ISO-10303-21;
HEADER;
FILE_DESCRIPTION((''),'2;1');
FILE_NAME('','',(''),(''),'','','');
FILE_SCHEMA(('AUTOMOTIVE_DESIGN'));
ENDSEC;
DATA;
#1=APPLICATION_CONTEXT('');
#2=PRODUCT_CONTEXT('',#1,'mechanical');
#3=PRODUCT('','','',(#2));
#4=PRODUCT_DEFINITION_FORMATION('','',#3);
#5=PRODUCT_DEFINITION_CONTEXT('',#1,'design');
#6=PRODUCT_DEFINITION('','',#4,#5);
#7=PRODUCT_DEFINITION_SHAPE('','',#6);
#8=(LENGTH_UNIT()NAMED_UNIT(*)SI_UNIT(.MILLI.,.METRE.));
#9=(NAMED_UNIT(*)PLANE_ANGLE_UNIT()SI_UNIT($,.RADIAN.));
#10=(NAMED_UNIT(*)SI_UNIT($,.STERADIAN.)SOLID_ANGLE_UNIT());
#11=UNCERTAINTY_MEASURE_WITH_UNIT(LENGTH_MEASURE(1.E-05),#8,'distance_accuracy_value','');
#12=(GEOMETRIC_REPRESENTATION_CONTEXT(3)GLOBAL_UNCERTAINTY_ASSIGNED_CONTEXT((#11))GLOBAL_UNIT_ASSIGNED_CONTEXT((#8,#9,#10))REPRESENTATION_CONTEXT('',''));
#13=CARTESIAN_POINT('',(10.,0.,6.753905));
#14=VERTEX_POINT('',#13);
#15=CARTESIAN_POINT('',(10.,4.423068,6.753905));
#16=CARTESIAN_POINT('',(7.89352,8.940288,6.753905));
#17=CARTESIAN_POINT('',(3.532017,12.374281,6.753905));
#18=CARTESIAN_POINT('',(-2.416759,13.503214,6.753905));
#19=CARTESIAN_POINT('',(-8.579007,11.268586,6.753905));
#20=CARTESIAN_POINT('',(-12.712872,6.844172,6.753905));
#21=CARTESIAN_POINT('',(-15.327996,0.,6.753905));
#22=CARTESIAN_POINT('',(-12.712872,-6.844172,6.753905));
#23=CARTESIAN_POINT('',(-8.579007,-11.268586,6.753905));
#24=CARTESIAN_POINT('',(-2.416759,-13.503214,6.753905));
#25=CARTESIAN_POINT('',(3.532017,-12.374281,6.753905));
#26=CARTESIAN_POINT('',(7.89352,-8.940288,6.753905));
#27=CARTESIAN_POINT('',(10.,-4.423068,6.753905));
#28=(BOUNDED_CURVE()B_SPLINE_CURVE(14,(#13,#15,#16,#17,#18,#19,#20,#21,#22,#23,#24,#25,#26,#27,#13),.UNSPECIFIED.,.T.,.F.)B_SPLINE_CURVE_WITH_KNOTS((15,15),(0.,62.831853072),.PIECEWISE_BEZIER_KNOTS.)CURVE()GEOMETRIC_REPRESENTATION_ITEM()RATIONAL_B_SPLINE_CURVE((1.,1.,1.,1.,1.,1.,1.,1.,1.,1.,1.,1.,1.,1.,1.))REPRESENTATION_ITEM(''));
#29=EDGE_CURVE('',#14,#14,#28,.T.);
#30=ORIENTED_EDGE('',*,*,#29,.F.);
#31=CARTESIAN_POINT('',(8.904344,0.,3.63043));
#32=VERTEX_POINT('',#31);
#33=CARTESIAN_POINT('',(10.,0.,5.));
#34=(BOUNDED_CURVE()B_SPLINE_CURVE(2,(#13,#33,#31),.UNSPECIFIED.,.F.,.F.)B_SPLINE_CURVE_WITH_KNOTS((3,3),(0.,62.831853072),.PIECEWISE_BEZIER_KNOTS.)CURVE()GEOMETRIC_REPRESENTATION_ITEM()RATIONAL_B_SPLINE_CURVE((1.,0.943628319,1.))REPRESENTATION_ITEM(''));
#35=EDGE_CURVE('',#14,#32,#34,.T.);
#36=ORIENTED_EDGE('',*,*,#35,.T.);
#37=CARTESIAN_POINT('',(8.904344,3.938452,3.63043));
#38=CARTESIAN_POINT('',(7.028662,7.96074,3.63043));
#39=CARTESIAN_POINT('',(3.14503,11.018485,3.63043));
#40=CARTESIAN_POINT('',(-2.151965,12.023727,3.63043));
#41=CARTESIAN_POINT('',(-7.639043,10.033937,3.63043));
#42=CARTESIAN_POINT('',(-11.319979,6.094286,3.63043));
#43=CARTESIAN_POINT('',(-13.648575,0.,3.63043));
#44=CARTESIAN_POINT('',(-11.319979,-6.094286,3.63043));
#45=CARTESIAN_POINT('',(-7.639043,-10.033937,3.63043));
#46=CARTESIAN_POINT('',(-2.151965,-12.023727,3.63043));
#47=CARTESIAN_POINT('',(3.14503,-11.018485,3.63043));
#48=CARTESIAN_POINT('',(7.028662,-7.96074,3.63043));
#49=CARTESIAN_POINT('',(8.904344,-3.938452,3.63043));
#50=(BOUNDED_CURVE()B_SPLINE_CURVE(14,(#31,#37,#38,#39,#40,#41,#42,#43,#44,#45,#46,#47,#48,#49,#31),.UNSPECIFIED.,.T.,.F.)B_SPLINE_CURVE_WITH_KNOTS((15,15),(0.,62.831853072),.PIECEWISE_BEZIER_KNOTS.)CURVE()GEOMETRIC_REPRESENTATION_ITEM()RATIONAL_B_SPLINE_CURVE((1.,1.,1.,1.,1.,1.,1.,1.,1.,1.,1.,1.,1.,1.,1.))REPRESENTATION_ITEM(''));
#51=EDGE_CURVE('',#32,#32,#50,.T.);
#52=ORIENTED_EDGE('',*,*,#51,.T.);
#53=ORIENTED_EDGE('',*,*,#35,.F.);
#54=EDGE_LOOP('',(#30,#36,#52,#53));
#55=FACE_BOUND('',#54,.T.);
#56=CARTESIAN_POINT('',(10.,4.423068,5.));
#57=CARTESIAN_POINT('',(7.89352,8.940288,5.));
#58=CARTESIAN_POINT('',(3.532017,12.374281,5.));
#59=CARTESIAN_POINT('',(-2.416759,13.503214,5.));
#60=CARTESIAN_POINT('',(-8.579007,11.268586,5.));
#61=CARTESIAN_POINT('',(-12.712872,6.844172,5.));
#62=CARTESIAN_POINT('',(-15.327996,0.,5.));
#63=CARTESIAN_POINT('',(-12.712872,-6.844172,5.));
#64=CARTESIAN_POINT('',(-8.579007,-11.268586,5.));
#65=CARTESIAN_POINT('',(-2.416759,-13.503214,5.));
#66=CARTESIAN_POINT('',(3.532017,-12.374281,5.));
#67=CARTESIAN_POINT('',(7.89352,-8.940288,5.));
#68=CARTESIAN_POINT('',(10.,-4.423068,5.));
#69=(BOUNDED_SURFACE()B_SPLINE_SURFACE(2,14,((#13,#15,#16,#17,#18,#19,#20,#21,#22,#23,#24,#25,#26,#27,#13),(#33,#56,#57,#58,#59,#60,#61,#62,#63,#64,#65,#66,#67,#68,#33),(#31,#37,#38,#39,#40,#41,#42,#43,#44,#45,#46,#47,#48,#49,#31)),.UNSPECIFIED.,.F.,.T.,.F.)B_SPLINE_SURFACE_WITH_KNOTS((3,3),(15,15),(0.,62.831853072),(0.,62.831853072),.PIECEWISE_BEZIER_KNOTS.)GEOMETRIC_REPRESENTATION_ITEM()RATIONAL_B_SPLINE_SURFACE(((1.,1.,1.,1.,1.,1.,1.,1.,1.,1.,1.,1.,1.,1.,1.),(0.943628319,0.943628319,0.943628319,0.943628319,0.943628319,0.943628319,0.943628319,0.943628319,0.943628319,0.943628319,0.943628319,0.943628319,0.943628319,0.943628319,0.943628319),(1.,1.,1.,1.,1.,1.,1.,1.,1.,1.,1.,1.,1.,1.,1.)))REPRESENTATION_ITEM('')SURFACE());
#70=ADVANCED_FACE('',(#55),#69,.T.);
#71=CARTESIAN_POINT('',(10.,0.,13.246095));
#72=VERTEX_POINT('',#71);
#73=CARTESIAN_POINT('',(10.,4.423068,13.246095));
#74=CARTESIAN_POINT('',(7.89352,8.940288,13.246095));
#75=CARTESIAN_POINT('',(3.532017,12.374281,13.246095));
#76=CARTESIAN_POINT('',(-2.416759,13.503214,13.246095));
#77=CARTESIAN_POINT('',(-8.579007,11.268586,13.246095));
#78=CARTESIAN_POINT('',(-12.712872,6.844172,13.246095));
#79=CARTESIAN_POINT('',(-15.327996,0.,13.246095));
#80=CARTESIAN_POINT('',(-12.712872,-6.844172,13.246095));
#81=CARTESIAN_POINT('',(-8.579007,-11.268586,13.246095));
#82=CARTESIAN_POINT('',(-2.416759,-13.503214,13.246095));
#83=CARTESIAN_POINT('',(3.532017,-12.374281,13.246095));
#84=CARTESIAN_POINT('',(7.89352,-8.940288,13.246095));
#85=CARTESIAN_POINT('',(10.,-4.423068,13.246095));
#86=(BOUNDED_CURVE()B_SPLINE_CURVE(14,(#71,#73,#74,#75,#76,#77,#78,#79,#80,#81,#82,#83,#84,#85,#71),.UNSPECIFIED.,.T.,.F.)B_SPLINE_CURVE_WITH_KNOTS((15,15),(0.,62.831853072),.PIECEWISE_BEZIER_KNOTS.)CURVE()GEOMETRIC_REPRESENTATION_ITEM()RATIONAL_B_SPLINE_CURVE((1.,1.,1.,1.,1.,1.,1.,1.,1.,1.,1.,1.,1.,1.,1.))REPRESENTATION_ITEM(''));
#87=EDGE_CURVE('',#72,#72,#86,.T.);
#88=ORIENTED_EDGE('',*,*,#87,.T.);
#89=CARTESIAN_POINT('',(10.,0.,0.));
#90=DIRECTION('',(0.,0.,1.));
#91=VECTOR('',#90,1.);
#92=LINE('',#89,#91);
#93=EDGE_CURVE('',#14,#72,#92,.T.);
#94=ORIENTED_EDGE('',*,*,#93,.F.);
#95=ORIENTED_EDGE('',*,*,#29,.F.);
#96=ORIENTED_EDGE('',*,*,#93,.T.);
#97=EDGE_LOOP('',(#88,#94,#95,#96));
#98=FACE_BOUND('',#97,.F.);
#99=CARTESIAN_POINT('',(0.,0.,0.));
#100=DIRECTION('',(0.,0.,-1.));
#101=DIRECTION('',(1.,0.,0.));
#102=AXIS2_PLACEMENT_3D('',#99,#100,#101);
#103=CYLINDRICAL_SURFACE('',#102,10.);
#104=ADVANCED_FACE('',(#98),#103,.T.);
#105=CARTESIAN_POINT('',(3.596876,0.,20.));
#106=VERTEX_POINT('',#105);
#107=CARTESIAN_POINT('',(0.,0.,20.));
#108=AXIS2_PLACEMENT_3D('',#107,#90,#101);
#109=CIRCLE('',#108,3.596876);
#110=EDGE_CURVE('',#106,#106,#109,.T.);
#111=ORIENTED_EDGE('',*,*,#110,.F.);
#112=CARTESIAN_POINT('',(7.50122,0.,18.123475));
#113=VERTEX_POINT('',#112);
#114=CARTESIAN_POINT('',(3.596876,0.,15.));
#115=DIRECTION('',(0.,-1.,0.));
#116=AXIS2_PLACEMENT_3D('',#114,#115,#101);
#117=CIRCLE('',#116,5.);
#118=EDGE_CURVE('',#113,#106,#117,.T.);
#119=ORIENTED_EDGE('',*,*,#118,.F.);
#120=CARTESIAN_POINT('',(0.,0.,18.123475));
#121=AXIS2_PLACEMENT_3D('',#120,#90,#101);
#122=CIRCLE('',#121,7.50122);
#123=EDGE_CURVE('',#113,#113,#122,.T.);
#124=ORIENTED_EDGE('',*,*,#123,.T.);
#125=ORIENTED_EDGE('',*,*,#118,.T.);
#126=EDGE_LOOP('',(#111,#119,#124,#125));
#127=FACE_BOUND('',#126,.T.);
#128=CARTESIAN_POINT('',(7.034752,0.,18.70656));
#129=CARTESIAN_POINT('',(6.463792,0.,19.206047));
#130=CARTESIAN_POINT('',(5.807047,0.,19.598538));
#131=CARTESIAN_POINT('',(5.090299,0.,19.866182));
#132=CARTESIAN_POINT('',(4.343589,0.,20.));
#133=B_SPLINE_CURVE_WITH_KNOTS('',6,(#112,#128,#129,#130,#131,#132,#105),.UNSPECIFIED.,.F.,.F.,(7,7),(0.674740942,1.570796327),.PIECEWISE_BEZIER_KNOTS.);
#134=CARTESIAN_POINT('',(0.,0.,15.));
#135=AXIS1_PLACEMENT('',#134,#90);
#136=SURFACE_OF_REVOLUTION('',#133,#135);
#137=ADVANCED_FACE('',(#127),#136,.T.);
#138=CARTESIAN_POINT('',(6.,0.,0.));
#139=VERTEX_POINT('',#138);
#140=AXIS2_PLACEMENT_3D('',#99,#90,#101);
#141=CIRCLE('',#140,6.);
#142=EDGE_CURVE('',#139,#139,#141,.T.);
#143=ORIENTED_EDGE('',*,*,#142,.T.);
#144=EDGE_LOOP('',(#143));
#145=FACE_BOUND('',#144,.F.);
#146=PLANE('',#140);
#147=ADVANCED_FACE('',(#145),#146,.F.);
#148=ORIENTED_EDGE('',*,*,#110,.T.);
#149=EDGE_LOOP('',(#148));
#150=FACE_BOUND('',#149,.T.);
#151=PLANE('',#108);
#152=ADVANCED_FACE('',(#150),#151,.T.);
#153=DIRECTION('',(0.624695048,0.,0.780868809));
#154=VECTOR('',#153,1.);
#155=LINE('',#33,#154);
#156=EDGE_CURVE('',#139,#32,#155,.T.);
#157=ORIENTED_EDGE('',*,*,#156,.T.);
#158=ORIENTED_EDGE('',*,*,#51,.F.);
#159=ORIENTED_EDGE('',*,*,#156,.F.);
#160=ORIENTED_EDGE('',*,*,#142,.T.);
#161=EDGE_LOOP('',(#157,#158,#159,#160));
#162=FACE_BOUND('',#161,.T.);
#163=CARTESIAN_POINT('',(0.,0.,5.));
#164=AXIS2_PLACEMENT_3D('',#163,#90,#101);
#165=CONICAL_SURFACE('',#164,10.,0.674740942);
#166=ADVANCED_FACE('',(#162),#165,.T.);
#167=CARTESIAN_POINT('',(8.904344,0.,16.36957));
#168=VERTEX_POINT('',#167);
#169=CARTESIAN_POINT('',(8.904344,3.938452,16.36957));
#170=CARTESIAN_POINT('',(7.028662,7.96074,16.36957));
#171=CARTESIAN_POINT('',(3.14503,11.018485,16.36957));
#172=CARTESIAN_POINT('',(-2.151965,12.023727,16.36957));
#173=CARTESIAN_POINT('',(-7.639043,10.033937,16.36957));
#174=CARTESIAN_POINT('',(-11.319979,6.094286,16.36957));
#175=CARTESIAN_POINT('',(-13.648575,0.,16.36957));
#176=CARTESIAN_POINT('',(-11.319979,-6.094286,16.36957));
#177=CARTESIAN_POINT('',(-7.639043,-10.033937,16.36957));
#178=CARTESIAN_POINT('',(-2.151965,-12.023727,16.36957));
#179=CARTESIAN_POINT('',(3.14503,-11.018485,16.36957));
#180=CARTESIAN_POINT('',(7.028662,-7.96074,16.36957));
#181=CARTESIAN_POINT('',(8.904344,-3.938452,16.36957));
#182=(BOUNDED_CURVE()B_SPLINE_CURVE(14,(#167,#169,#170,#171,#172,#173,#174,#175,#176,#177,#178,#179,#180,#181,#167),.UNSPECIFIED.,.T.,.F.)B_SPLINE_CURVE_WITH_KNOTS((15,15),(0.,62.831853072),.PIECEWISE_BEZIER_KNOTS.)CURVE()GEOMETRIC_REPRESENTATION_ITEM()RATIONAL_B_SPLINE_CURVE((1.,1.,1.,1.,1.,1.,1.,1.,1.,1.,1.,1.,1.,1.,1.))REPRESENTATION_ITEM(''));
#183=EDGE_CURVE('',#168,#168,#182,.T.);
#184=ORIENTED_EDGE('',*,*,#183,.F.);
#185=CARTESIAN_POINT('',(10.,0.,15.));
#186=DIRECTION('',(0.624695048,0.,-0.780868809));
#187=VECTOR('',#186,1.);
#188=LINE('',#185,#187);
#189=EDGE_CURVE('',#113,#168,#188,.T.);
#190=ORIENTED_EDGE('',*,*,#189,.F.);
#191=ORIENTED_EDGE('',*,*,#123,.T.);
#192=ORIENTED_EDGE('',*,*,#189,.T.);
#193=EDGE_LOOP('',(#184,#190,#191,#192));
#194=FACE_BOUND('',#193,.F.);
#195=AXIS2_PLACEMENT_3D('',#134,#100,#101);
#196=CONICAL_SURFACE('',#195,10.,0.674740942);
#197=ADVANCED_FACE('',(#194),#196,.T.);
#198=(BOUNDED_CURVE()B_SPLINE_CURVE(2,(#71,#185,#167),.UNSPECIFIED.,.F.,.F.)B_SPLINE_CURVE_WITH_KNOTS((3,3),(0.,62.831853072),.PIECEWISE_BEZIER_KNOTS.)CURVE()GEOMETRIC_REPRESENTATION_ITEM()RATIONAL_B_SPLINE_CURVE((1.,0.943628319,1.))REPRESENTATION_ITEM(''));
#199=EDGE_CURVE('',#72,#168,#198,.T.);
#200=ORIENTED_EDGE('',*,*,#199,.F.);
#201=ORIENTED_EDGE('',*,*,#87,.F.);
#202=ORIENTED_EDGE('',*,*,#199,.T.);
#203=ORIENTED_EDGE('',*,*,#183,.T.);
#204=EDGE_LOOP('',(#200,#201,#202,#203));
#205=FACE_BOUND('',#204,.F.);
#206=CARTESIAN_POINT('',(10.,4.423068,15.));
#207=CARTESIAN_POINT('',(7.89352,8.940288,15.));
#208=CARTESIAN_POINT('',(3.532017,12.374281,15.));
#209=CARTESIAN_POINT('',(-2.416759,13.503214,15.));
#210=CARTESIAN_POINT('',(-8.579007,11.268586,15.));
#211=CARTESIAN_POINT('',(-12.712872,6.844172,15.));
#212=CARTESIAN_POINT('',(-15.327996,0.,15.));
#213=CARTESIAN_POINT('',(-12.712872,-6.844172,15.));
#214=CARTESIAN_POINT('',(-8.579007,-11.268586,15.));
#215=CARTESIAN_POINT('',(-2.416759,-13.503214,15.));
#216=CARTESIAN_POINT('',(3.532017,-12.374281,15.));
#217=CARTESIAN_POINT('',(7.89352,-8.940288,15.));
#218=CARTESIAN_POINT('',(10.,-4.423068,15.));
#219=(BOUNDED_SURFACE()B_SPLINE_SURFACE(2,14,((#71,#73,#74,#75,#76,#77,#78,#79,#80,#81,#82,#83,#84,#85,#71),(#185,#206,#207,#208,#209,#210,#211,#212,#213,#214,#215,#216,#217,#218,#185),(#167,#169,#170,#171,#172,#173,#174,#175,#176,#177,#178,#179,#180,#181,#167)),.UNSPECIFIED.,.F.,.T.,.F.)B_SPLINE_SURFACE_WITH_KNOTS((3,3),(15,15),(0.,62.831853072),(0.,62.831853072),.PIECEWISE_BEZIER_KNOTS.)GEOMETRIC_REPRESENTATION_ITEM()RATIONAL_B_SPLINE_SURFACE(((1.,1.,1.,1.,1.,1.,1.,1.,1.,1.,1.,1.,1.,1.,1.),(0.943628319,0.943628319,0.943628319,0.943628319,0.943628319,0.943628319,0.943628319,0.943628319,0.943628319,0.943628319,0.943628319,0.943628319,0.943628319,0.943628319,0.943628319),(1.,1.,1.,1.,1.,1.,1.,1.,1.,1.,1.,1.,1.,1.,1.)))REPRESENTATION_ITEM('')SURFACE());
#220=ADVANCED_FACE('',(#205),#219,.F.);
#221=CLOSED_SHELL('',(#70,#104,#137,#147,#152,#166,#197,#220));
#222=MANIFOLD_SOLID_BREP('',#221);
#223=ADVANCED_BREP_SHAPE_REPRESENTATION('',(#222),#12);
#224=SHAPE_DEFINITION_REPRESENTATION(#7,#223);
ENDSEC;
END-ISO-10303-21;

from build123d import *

# Parameters (mm, degrees)
F0_R       = 10
F1_DEPTH   = 20
F2_SIZE2   = 5
F2_SIZE    = 4
F2_2_SIZE2 = 5
F2_2_SIZE  = 4
F3_R       = 5


with BuildPart() as f1:
    # F0 (on Top) → F1 (new body)
    with BuildSketch(Plane.XY):
        Circle(F0_R)
    extrude(amount=F1_DEPTH)

    # F2
    f2_edges = [f1.edges().sort_by_distance(p)[0] for p in [
        (-10, 0, 20),
    ]]
    f2_side = f1.faces().sort_by_distance((0, 0, 20))[0]
    chamfer(f2_edges, length=F2_SIZE, length2=F2_SIZE2, reference=f2_side)

    # F2#2
    f2_2_edges = [f1.edges().sort_by_distance(p)[0] for p in [
        (-10, 0, 0),
    ]]
    f2_2_side = f1.faces().sort_by_distance((0, 0, 0))[0]
    chamfer(f2_2_edges, length=F2_2_SIZE, length2=F2_2_SIZE2, reference=f2_2_side)

    # F3
    f3_edges = [f1.edges().sort_by_distance(p)[0] for p in [
        (-10, 0, 15),
        (-6, 0, 20),
        (-10, 0, 5),
    ]]
    fillet(f3_edges, radius=F3_R)


solid = f1.part
